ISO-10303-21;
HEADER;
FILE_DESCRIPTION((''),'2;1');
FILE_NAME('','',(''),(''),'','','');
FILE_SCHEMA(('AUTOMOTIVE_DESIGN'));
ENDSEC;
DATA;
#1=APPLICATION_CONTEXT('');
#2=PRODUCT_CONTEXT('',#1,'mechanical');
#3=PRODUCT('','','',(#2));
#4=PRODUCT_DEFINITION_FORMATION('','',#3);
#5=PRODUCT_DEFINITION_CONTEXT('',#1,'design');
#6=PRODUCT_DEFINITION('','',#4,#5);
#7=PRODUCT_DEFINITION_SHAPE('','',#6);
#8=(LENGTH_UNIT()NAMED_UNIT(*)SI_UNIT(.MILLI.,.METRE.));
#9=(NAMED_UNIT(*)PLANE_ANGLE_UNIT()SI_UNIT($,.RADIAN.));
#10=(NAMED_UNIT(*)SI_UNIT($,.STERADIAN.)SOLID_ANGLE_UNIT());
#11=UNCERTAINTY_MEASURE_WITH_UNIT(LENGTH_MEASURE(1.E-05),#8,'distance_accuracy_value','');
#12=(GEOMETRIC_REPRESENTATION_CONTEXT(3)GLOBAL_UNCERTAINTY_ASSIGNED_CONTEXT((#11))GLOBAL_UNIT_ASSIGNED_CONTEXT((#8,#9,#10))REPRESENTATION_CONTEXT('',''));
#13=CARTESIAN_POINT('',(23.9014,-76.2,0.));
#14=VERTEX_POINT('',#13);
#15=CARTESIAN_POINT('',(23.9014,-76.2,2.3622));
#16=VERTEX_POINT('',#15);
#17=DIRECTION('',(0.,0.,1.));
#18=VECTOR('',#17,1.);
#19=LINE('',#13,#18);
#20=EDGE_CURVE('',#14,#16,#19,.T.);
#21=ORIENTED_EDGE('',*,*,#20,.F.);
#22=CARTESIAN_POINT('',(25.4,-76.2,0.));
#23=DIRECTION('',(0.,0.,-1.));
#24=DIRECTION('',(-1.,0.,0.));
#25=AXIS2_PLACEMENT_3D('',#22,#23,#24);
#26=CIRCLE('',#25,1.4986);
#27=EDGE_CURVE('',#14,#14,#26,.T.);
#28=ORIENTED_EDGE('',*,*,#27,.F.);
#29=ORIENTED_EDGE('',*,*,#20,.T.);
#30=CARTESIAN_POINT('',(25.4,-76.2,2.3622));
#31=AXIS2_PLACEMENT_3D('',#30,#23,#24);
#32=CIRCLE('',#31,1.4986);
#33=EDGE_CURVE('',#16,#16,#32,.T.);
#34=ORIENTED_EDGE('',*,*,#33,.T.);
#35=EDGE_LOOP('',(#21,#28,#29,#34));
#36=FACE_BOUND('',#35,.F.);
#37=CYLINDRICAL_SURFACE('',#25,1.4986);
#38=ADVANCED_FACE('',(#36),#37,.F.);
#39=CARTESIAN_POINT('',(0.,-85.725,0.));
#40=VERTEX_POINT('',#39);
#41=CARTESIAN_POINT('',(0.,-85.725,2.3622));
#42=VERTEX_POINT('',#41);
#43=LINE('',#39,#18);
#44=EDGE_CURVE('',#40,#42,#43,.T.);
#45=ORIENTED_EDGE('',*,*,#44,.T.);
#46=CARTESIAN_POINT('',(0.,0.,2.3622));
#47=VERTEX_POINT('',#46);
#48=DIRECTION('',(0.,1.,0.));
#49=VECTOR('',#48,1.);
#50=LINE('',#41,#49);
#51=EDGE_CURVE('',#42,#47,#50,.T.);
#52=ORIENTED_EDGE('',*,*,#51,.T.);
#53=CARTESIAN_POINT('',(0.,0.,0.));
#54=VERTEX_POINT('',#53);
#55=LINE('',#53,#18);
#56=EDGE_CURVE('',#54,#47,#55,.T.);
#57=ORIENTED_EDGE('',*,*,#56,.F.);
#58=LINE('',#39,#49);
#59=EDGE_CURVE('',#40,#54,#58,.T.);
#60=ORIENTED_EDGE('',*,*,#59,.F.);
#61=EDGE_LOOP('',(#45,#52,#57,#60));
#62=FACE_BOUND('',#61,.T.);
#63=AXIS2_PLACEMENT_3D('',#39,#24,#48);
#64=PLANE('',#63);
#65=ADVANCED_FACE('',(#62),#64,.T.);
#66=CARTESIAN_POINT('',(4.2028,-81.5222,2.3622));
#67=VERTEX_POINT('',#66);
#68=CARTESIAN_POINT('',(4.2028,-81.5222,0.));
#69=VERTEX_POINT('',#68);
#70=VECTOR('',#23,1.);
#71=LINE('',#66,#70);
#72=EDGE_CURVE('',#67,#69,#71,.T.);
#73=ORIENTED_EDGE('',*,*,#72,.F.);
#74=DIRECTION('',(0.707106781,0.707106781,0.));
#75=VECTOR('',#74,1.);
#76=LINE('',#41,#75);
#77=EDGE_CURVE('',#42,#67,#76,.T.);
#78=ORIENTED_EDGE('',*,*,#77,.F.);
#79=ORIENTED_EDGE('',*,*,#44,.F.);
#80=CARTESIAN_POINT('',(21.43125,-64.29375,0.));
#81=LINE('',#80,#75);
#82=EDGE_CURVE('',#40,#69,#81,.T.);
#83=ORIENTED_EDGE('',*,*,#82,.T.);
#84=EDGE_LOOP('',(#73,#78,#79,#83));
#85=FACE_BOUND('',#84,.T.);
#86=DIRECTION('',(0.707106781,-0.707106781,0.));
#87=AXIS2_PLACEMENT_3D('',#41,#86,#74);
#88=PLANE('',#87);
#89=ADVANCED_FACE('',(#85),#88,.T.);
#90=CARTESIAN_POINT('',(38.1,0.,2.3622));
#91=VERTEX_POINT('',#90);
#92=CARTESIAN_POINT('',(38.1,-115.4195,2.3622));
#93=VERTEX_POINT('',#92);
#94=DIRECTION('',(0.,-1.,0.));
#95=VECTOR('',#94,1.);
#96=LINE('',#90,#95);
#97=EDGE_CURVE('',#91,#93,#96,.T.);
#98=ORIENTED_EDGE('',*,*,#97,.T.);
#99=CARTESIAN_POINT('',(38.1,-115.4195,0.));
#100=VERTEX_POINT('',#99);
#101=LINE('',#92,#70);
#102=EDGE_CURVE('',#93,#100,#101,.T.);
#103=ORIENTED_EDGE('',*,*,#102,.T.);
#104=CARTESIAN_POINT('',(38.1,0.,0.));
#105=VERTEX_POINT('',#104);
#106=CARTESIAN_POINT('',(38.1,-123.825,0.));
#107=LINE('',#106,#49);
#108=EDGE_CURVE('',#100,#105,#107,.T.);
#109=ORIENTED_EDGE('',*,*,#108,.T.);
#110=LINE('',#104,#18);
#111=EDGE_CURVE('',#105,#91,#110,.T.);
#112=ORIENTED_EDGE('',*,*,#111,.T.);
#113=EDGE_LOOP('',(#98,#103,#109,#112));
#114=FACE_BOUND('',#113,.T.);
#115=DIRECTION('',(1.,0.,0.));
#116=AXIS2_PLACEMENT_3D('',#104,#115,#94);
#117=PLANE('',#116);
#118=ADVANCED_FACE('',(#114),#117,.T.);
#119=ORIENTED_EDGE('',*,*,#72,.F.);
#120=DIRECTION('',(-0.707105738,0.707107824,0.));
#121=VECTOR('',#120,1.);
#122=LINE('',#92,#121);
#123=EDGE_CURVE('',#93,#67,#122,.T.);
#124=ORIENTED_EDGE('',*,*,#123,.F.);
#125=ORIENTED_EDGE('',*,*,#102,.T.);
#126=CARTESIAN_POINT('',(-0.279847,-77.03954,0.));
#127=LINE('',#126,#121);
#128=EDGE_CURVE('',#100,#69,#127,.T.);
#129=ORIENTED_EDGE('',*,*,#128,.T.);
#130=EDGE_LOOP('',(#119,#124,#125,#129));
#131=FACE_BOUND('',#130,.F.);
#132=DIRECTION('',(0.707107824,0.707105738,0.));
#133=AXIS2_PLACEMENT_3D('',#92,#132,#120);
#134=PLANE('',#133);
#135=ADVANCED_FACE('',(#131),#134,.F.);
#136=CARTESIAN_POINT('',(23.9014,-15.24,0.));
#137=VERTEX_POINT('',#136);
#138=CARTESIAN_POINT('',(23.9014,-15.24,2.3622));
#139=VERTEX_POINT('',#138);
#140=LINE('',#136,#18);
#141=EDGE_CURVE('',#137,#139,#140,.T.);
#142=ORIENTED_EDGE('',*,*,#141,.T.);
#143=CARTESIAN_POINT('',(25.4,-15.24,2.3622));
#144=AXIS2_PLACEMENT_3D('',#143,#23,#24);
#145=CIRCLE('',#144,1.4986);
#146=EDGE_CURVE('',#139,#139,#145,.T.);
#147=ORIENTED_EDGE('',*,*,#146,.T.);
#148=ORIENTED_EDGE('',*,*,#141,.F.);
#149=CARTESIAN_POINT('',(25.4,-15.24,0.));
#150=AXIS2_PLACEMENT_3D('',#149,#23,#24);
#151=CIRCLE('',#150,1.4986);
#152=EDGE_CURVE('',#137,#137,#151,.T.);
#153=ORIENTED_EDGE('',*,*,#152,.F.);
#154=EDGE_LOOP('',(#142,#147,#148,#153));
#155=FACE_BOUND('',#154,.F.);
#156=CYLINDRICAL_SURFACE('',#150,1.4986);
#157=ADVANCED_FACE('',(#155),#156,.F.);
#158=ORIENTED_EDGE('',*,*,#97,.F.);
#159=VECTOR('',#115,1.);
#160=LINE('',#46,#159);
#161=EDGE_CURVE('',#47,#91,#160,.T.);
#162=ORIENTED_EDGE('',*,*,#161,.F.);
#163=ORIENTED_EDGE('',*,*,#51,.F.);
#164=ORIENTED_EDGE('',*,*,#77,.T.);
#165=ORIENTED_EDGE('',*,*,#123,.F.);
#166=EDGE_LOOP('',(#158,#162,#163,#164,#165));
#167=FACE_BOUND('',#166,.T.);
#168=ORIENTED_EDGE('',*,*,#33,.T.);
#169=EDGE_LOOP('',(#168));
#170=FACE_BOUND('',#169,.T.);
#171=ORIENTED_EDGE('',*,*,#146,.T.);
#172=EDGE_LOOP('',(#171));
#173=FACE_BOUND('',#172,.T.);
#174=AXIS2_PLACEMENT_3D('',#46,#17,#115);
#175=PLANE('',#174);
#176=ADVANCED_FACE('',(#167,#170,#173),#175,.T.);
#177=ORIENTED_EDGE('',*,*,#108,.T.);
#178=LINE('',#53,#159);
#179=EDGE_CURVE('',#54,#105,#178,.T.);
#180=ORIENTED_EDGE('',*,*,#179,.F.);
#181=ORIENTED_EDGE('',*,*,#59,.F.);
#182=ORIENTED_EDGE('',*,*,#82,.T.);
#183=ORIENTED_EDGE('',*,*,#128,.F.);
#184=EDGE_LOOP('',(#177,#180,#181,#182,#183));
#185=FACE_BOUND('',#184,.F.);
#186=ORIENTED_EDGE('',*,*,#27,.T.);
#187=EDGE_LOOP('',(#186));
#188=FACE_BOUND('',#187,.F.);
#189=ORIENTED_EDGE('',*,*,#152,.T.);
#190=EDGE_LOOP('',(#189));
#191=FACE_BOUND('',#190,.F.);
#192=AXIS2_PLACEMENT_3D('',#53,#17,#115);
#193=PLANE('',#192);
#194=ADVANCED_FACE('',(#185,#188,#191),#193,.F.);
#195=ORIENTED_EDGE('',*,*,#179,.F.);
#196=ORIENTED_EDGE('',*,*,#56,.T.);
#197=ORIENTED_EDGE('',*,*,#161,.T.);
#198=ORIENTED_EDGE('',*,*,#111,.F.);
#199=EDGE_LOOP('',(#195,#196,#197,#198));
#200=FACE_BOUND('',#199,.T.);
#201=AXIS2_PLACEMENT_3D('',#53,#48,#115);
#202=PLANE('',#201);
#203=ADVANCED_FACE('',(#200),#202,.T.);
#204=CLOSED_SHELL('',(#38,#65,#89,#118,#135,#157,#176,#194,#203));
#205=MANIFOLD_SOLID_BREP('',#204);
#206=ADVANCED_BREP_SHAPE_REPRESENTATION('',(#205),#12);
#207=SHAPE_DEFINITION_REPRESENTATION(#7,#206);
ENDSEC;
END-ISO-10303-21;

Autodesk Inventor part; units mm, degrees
ref_plane "YZ Plane" through (0, 0, 0) normal (1, 0, 0) x (0, 1, 0)
ref_plane "XZ Plane" through (0, 0, 0) normal (0, 1, 0) x (-1, 0, 0)
ref_plane "XY Plane" through (0, 0, 0) normal (0, 0, 1) x (1, 0, 0)
sketch "Sketch1" plane through (0, 0, 0) normal (0, 0, 1) x (1, 0, 0)
  line L0 (0, 0) -> (38.1, 0)
  line L1 (38.1, 0) -> (38.1, -85.725)
  line L2 (38.1, -85.725) -> (0, -85.725)
  line L3 (0, -85.725) -> (0, 0)
  line L4 (38.1, -85.725) -> (38.1, -123.825)
  line L5 (38.1, -123.825) -> (0, -85.725)
  dimension "d0" = 38.1
  dimension "d1" = 85.725
  dimension "d4" = 38.1
extrude "Extrusion1" add sketch "Sketch1" along normal blind 2.3622 contours L0 L1 L2 L3
extrude "Extrusion2" add sketch "Sketch1" along normal blind 2.3622 contours L2 L4 L5
sketch "Sketch2" plane through (0, 0, 2.3622) normal (0, 0, 1) x (1, 0, 0)
  line L0 (0, -85.725) -> (38.1, -123.825) projected
  line L1 (38.1, -123.825) -> (38.1, 0) projected
  line L2 (38.1, -115.4195) -> (4.2028, -81.5222)
  line L3 (0, -85.725) -> (4.2028, -81.5222)
  line L4 (38.1, -115.4195) -> (38.1, -123.825)
  line L5 (38.1, -123.825) -> (0, -85.725)
  line L6 (0, -85.725) -> (4.2028, -81.5222)
  line L7 (4.2028, -81.5222) -> (38.1, -115.4195)
  line L8 (38.1, -115.4195) -> (38.1, -123.825)
  line L9 (38.1, -123.825) -> (0, -85.725)
  dimension "d7" = 5.9436
extrude "Extrusion3" cut sketch "Sketch2" against normal blind 25.4
sketch "Sketch3" plane through (0, 0, 0) normal (0, 0, -1) x (-1, 0, 0)
  circle A0 centre (-25.4, -15.24) radius 1.4986
  circle A1 centre (-25.4, -76.2) radius 1.4986
  line L0 (0, 0) -> (-38.1, 0) projected
  line L1 (-38.1, 0) -> (-38.1, -115.4195) projected
  dimension "d19" = 2.9972
  dimension "d20" = 2.9972
  dimension "d21" = 15.24
  dimension "d22" = 12.7
  dimension "d23" = 12.7
extrude "Extrusion4" cut sketch "Sketch3" against normal blind 25.4
properties part number "Plate_InnerSide_Poly" material "Polycarbonate, Clear"
